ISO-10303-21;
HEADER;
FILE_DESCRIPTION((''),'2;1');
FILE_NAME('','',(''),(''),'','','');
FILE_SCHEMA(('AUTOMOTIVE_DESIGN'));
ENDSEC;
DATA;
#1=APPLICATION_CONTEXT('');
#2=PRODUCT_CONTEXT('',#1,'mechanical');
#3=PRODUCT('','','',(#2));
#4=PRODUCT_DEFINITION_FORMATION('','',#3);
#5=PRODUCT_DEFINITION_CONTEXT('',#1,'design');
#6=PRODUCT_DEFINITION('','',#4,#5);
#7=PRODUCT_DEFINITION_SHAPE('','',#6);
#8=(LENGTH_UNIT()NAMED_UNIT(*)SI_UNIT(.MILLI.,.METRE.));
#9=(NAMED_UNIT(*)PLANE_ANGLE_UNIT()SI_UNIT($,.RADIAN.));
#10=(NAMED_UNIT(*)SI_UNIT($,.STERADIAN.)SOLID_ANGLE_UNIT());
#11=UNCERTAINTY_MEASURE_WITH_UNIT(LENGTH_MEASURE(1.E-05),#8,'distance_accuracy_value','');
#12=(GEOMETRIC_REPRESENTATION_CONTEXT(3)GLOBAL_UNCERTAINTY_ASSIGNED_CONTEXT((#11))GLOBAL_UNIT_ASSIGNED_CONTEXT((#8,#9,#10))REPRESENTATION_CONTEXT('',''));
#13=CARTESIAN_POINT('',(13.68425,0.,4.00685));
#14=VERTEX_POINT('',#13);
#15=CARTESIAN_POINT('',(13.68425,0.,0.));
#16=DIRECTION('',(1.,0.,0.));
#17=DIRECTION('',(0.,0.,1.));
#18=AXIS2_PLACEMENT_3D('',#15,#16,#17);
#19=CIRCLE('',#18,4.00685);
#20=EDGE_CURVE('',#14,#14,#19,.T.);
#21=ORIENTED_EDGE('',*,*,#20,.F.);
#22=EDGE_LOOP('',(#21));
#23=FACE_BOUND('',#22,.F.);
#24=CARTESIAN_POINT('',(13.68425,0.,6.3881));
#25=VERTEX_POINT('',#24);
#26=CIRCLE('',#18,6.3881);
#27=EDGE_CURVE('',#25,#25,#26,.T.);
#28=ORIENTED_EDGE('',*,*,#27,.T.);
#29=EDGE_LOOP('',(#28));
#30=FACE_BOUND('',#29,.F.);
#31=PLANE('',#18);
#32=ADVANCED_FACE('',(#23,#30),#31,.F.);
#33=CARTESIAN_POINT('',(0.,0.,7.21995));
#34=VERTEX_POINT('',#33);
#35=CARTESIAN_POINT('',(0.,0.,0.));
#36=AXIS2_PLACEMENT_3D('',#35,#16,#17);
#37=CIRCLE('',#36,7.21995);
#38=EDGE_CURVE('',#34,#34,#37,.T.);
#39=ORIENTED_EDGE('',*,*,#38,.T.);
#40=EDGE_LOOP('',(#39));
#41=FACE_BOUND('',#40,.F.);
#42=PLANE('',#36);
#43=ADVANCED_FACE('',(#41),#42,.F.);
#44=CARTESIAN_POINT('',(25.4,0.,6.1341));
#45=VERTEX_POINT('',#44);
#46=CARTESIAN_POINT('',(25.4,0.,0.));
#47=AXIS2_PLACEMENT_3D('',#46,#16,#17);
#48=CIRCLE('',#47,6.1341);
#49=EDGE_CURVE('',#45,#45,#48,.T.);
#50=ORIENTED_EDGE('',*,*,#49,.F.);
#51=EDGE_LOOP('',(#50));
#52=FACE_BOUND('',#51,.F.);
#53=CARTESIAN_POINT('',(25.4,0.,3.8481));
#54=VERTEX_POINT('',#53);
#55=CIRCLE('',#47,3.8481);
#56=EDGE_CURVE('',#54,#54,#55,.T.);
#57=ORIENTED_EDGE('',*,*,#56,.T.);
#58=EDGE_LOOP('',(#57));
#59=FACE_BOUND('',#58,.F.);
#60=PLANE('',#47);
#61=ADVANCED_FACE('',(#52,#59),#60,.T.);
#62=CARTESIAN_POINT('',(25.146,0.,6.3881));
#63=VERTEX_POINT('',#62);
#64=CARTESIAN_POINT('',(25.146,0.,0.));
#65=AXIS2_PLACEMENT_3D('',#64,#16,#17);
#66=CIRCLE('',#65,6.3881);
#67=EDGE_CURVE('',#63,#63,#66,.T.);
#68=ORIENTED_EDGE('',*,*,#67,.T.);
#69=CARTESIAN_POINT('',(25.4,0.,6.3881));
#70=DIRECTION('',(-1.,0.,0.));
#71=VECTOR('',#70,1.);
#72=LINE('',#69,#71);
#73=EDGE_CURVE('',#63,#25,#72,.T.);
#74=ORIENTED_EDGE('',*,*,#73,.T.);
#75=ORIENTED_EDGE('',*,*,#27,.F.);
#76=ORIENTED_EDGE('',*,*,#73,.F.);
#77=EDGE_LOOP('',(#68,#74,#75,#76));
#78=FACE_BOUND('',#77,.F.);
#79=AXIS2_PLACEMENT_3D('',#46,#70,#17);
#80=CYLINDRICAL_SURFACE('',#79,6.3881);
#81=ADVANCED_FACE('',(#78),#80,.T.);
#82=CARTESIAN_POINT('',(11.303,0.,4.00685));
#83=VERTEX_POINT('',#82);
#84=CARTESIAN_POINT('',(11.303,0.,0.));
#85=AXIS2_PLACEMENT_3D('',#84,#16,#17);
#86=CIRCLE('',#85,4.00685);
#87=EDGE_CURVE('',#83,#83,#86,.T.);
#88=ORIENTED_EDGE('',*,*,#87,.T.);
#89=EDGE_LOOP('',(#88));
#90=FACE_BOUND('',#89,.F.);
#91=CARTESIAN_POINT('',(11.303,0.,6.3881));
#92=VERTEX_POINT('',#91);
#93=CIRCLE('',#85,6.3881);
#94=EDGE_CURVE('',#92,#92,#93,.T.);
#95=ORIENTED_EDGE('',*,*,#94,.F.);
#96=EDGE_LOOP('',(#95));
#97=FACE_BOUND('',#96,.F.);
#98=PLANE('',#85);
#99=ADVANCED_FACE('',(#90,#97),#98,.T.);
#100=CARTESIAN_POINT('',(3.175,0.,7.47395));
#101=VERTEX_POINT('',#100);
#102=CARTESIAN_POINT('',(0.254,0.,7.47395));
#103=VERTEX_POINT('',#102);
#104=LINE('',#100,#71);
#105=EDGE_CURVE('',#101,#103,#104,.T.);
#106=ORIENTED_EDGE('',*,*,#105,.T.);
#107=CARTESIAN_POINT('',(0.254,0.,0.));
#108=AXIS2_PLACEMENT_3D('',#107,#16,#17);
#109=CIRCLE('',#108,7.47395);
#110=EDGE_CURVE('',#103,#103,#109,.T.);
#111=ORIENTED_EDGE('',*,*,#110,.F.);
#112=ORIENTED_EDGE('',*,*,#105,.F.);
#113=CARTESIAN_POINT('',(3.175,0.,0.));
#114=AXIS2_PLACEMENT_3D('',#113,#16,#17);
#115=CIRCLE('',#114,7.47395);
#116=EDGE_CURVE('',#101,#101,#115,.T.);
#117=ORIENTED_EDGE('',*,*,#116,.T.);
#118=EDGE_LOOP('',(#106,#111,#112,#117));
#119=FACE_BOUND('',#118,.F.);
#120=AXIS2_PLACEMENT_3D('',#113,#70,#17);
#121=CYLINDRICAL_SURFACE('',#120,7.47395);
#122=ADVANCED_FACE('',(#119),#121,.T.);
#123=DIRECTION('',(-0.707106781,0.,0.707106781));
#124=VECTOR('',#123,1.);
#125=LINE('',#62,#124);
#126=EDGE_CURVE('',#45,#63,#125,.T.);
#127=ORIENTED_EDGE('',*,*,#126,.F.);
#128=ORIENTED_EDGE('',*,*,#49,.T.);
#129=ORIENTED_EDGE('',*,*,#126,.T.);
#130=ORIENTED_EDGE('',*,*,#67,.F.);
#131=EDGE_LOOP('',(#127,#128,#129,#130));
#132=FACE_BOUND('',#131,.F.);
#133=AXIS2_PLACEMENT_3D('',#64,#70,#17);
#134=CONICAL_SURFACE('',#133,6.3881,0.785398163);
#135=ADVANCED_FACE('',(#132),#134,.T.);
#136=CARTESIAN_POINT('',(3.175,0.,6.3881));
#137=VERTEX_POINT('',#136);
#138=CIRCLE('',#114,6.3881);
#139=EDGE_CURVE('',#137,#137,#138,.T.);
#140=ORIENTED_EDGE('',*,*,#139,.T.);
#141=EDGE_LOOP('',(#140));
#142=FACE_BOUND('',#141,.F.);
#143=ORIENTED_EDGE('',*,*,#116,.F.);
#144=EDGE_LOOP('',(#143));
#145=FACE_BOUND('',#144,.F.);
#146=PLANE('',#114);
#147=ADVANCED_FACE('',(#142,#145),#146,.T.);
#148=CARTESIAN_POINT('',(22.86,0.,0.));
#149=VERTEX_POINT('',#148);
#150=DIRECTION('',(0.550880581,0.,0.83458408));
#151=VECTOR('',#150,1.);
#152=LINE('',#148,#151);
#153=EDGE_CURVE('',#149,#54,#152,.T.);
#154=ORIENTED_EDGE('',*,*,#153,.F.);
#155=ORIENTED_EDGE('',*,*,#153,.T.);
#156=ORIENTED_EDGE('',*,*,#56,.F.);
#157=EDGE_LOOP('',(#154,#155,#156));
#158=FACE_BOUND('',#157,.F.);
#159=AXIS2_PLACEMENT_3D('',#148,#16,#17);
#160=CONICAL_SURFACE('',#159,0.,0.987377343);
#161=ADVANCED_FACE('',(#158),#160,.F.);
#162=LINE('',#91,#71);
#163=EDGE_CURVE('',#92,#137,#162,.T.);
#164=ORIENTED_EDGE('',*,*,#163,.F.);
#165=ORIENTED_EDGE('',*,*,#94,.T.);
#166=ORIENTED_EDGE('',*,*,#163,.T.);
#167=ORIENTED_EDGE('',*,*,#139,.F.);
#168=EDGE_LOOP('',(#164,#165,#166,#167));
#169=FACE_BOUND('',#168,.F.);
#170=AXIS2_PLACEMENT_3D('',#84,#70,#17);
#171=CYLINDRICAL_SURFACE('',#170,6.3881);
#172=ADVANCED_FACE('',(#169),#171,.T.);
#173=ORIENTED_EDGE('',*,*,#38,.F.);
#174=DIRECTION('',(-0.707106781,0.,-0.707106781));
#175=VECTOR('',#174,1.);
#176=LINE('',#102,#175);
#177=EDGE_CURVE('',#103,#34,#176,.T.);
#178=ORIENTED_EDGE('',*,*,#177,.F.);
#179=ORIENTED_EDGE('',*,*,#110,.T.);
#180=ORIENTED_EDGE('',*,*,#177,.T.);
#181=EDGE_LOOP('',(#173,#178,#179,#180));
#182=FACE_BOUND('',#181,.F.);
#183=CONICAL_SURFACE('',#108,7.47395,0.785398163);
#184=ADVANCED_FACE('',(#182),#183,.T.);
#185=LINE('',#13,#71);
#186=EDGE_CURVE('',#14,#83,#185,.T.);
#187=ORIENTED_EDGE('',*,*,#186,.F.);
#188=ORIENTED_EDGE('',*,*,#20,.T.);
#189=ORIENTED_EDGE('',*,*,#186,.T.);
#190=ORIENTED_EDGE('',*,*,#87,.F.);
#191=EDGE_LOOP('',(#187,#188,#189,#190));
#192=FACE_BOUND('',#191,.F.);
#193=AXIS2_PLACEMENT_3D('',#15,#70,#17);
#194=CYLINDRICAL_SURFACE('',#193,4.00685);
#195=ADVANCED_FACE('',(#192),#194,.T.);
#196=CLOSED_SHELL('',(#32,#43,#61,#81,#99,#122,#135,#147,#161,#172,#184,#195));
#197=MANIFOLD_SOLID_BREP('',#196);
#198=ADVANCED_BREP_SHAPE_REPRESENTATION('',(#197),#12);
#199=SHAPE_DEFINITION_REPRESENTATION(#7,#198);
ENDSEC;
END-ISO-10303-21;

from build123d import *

# Parameters (mm, degrees)
F2_SIZE = 0.254


with BuildPart() as f1:
    # F0 (on Front) → F1 (revolve)
    with BuildSketch(Plane.XZ):
        Polygon((11.303, 6.3881), (3.175, 6.3881), (3.175, 7.47395), (0, 7.47395), (0, 0), (22.86, 0), (25.4, 3.8481), (25.4, 6.3881), (13.68425, 6.3881), (13.68425, 4.00685), (11.303, 4.00685), align=None)
    revolve(axis=Axis((11.43, 0, 0), (1, 0, 0)))

    # F2
    f2_edges = [f1.edges().sort_by_distance(p)[0] for p in [
        (0, 0, -7.47395),
        (25.4, 0, -6.3881),
    ]]
    chamfer(f2_edges, length=F2_SIZE)


solid = f1.part
